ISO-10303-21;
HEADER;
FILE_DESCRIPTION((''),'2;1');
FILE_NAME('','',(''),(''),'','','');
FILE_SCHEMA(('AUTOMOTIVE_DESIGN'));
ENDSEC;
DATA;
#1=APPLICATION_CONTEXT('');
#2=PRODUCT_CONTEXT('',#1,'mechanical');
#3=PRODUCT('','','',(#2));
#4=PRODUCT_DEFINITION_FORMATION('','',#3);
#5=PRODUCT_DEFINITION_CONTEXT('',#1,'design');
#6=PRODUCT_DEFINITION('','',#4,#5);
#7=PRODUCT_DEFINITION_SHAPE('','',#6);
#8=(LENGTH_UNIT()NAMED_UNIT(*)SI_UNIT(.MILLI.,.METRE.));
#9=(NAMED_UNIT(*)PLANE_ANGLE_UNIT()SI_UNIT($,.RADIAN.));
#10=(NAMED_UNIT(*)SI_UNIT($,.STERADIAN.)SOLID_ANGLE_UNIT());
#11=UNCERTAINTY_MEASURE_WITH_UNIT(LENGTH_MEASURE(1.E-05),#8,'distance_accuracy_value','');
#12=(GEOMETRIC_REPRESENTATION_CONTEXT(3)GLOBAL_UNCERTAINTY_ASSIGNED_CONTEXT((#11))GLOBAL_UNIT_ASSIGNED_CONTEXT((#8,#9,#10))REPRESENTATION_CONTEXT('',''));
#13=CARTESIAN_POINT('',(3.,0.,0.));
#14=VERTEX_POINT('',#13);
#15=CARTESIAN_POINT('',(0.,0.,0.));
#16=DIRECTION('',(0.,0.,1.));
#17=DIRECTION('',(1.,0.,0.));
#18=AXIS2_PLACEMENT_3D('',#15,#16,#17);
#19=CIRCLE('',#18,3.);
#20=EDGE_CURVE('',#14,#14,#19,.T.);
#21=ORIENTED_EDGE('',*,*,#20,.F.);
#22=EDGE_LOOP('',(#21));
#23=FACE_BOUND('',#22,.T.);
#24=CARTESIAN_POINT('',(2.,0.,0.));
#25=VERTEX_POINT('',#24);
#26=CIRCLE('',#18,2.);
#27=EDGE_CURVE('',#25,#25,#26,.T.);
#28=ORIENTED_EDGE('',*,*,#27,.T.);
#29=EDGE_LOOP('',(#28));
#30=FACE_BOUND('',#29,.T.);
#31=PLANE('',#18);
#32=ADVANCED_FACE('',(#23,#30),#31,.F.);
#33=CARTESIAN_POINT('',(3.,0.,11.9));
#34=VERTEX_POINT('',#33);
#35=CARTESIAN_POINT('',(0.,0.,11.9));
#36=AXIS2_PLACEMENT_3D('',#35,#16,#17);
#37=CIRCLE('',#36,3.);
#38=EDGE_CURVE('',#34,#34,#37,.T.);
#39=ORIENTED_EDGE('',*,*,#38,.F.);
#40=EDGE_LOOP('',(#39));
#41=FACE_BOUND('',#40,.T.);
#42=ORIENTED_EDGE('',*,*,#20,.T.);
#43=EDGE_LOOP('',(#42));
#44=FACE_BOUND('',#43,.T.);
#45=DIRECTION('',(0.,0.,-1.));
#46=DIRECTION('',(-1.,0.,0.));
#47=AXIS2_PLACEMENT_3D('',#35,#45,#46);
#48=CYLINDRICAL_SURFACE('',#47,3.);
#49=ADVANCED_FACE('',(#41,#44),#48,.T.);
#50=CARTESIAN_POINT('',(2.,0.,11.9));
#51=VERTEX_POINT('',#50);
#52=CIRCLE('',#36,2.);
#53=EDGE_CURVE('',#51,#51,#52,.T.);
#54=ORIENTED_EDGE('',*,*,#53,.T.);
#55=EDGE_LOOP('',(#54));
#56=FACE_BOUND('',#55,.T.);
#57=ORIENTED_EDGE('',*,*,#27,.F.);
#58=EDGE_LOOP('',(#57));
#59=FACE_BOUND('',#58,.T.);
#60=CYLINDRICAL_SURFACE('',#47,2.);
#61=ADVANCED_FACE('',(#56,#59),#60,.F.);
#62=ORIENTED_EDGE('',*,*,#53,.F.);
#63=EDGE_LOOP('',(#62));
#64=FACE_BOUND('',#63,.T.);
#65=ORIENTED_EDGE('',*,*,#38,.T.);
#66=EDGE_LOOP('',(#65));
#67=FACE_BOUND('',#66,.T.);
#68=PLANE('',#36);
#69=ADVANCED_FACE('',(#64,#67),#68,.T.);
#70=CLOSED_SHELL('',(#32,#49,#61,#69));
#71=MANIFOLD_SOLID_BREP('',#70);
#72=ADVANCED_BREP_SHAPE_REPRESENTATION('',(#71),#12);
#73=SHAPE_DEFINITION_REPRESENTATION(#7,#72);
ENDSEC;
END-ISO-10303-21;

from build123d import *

# Parameters (mm, degrees)
SKETCH_1_R      = 3
SKETCH_1_R_2    = 2
EXTRUDE_1_DEPTH = 11.9


with BuildPart() as part:
    # ｽｹｯﾁ1 → ﾎﾞｽ - 押し出し1 (new body)
    with BuildSketch(Plane.XY):
        Circle(SKETCH_1_R)
        Circle(SKETCH_1_R_2, mode=Mode.SUBTRACT)
    extrude(amount=EXTRUDE_1_DEPTH)


solid = part.part
